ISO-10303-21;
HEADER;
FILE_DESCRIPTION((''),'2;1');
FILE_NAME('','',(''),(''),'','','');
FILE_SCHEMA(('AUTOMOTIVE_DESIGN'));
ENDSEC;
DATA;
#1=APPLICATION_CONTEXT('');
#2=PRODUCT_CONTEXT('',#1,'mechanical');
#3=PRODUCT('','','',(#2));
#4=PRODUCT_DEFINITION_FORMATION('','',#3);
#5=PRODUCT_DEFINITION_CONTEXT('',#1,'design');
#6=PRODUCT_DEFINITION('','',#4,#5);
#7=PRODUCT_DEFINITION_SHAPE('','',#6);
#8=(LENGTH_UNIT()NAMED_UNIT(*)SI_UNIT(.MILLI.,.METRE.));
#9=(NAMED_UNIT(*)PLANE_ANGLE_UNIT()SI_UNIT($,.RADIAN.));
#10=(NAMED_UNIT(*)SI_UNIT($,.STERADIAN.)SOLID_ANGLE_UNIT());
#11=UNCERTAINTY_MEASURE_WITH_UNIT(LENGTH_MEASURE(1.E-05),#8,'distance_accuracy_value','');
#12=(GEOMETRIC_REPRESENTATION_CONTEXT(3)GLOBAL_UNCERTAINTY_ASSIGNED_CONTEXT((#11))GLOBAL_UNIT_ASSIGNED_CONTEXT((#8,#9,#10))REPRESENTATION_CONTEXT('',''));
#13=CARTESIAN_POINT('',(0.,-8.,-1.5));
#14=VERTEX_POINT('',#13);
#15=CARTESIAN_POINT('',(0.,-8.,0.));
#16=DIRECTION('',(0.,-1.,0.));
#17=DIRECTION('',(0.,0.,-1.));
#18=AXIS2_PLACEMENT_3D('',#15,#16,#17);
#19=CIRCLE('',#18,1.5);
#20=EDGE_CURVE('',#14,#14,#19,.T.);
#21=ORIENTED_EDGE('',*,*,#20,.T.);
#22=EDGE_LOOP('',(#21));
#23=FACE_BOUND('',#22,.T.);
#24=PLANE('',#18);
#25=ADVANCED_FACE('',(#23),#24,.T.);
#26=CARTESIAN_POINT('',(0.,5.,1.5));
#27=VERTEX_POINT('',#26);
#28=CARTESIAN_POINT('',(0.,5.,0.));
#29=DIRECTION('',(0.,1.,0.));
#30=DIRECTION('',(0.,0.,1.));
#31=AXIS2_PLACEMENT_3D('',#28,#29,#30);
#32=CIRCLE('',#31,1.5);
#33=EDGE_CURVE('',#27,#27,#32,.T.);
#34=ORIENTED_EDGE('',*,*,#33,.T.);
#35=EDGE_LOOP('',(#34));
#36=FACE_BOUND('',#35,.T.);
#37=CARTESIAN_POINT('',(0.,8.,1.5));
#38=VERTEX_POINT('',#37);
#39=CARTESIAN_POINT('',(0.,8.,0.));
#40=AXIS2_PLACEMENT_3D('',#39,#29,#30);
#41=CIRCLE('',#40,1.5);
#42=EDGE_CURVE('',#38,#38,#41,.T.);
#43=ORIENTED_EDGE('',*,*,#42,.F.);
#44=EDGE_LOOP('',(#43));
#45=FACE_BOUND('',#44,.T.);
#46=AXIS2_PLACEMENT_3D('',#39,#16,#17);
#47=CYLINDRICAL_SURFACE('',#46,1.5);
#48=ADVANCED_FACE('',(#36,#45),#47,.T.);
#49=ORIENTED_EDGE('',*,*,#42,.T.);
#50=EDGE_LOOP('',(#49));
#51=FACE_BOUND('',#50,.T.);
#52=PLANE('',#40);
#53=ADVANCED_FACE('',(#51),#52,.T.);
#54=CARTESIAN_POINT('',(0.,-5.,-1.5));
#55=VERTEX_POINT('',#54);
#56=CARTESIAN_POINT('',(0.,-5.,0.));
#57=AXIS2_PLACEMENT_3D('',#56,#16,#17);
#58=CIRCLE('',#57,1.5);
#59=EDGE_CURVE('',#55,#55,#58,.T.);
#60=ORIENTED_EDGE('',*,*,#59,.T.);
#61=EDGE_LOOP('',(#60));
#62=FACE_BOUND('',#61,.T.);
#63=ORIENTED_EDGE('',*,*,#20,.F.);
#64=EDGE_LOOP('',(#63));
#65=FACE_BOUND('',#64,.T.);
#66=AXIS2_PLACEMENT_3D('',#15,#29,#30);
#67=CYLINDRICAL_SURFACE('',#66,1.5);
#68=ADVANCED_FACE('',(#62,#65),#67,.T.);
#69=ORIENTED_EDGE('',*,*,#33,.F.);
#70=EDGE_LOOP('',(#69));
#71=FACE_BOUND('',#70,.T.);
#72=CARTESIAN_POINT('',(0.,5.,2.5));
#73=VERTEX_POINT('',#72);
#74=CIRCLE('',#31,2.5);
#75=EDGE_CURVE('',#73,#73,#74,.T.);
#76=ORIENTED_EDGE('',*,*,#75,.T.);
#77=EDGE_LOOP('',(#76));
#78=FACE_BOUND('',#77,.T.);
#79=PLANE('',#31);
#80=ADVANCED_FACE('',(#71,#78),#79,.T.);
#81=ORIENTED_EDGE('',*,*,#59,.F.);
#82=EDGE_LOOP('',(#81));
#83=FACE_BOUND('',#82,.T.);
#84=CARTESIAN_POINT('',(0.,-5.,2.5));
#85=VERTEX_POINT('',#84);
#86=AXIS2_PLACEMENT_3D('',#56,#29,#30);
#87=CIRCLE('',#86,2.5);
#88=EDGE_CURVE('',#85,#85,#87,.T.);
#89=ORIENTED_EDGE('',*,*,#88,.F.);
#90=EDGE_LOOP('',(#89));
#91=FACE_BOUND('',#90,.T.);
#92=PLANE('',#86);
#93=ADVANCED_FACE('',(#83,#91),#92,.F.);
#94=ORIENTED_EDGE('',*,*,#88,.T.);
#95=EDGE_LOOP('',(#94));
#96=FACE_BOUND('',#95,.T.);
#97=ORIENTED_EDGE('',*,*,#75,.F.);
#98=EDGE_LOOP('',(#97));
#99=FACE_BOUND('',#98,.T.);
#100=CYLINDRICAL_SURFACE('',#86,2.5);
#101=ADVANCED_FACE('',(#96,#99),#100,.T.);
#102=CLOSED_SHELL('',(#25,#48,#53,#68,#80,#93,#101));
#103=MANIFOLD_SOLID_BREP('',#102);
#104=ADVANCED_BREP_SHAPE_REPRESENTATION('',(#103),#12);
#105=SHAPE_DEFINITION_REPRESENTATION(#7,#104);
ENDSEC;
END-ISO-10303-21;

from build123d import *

# Parameters (mm, degrees)
SKETCH_1_R      = 2.5
EXTRUDE_2_DEPTH = 5
SKETCH_2_R      = 1.5
EXTRUDE_3_DEPTH = 3
EXTRUDE_START   = 3
SKETCH_3_R      = 1.5
EXTRUDE_4_DEPTH = 3


with BuildPart() as part:
    # 草图1 → 凸台-拉伸2 (new, symmetric)
    with BuildSketch(Plane(origin=(0, 0, 0), x_dir=(1, 0, 0), z_dir=(0, 1, 0))):
        with Locations(Location((0, 0, 0), (0, 0, 270))):
            Circle(SKETCH_1_R)
    extrude(amount=EXTRUDE_2_DEPTH, both=True)

    # 草图2 → 凸台-拉伸3 (add)
    with BuildSketch(Plane(origin=(0, 5, 0), x_dir=(1, 0, 0), z_dir=(0, 1, 0))):
        with Locations(Location((0, 0, 0), (0, 0, 270))):
            Circle(SKETCH_2_R)
    extrude(amount=EXTRUDE_3_DEPTH)

    # 草图3 → 凸台-拉伸4 (add)
    with BuildSketch(Plane.XZ.offset(5).offset(EXTRUDE_START)):
        with Locations(Location((0, 0, 0), (0, 0, 90))):
            Circle(SKETCH_3_R)
    extrude(amount=-EXTRUDE_4_DEPTH)


solid = part.part
